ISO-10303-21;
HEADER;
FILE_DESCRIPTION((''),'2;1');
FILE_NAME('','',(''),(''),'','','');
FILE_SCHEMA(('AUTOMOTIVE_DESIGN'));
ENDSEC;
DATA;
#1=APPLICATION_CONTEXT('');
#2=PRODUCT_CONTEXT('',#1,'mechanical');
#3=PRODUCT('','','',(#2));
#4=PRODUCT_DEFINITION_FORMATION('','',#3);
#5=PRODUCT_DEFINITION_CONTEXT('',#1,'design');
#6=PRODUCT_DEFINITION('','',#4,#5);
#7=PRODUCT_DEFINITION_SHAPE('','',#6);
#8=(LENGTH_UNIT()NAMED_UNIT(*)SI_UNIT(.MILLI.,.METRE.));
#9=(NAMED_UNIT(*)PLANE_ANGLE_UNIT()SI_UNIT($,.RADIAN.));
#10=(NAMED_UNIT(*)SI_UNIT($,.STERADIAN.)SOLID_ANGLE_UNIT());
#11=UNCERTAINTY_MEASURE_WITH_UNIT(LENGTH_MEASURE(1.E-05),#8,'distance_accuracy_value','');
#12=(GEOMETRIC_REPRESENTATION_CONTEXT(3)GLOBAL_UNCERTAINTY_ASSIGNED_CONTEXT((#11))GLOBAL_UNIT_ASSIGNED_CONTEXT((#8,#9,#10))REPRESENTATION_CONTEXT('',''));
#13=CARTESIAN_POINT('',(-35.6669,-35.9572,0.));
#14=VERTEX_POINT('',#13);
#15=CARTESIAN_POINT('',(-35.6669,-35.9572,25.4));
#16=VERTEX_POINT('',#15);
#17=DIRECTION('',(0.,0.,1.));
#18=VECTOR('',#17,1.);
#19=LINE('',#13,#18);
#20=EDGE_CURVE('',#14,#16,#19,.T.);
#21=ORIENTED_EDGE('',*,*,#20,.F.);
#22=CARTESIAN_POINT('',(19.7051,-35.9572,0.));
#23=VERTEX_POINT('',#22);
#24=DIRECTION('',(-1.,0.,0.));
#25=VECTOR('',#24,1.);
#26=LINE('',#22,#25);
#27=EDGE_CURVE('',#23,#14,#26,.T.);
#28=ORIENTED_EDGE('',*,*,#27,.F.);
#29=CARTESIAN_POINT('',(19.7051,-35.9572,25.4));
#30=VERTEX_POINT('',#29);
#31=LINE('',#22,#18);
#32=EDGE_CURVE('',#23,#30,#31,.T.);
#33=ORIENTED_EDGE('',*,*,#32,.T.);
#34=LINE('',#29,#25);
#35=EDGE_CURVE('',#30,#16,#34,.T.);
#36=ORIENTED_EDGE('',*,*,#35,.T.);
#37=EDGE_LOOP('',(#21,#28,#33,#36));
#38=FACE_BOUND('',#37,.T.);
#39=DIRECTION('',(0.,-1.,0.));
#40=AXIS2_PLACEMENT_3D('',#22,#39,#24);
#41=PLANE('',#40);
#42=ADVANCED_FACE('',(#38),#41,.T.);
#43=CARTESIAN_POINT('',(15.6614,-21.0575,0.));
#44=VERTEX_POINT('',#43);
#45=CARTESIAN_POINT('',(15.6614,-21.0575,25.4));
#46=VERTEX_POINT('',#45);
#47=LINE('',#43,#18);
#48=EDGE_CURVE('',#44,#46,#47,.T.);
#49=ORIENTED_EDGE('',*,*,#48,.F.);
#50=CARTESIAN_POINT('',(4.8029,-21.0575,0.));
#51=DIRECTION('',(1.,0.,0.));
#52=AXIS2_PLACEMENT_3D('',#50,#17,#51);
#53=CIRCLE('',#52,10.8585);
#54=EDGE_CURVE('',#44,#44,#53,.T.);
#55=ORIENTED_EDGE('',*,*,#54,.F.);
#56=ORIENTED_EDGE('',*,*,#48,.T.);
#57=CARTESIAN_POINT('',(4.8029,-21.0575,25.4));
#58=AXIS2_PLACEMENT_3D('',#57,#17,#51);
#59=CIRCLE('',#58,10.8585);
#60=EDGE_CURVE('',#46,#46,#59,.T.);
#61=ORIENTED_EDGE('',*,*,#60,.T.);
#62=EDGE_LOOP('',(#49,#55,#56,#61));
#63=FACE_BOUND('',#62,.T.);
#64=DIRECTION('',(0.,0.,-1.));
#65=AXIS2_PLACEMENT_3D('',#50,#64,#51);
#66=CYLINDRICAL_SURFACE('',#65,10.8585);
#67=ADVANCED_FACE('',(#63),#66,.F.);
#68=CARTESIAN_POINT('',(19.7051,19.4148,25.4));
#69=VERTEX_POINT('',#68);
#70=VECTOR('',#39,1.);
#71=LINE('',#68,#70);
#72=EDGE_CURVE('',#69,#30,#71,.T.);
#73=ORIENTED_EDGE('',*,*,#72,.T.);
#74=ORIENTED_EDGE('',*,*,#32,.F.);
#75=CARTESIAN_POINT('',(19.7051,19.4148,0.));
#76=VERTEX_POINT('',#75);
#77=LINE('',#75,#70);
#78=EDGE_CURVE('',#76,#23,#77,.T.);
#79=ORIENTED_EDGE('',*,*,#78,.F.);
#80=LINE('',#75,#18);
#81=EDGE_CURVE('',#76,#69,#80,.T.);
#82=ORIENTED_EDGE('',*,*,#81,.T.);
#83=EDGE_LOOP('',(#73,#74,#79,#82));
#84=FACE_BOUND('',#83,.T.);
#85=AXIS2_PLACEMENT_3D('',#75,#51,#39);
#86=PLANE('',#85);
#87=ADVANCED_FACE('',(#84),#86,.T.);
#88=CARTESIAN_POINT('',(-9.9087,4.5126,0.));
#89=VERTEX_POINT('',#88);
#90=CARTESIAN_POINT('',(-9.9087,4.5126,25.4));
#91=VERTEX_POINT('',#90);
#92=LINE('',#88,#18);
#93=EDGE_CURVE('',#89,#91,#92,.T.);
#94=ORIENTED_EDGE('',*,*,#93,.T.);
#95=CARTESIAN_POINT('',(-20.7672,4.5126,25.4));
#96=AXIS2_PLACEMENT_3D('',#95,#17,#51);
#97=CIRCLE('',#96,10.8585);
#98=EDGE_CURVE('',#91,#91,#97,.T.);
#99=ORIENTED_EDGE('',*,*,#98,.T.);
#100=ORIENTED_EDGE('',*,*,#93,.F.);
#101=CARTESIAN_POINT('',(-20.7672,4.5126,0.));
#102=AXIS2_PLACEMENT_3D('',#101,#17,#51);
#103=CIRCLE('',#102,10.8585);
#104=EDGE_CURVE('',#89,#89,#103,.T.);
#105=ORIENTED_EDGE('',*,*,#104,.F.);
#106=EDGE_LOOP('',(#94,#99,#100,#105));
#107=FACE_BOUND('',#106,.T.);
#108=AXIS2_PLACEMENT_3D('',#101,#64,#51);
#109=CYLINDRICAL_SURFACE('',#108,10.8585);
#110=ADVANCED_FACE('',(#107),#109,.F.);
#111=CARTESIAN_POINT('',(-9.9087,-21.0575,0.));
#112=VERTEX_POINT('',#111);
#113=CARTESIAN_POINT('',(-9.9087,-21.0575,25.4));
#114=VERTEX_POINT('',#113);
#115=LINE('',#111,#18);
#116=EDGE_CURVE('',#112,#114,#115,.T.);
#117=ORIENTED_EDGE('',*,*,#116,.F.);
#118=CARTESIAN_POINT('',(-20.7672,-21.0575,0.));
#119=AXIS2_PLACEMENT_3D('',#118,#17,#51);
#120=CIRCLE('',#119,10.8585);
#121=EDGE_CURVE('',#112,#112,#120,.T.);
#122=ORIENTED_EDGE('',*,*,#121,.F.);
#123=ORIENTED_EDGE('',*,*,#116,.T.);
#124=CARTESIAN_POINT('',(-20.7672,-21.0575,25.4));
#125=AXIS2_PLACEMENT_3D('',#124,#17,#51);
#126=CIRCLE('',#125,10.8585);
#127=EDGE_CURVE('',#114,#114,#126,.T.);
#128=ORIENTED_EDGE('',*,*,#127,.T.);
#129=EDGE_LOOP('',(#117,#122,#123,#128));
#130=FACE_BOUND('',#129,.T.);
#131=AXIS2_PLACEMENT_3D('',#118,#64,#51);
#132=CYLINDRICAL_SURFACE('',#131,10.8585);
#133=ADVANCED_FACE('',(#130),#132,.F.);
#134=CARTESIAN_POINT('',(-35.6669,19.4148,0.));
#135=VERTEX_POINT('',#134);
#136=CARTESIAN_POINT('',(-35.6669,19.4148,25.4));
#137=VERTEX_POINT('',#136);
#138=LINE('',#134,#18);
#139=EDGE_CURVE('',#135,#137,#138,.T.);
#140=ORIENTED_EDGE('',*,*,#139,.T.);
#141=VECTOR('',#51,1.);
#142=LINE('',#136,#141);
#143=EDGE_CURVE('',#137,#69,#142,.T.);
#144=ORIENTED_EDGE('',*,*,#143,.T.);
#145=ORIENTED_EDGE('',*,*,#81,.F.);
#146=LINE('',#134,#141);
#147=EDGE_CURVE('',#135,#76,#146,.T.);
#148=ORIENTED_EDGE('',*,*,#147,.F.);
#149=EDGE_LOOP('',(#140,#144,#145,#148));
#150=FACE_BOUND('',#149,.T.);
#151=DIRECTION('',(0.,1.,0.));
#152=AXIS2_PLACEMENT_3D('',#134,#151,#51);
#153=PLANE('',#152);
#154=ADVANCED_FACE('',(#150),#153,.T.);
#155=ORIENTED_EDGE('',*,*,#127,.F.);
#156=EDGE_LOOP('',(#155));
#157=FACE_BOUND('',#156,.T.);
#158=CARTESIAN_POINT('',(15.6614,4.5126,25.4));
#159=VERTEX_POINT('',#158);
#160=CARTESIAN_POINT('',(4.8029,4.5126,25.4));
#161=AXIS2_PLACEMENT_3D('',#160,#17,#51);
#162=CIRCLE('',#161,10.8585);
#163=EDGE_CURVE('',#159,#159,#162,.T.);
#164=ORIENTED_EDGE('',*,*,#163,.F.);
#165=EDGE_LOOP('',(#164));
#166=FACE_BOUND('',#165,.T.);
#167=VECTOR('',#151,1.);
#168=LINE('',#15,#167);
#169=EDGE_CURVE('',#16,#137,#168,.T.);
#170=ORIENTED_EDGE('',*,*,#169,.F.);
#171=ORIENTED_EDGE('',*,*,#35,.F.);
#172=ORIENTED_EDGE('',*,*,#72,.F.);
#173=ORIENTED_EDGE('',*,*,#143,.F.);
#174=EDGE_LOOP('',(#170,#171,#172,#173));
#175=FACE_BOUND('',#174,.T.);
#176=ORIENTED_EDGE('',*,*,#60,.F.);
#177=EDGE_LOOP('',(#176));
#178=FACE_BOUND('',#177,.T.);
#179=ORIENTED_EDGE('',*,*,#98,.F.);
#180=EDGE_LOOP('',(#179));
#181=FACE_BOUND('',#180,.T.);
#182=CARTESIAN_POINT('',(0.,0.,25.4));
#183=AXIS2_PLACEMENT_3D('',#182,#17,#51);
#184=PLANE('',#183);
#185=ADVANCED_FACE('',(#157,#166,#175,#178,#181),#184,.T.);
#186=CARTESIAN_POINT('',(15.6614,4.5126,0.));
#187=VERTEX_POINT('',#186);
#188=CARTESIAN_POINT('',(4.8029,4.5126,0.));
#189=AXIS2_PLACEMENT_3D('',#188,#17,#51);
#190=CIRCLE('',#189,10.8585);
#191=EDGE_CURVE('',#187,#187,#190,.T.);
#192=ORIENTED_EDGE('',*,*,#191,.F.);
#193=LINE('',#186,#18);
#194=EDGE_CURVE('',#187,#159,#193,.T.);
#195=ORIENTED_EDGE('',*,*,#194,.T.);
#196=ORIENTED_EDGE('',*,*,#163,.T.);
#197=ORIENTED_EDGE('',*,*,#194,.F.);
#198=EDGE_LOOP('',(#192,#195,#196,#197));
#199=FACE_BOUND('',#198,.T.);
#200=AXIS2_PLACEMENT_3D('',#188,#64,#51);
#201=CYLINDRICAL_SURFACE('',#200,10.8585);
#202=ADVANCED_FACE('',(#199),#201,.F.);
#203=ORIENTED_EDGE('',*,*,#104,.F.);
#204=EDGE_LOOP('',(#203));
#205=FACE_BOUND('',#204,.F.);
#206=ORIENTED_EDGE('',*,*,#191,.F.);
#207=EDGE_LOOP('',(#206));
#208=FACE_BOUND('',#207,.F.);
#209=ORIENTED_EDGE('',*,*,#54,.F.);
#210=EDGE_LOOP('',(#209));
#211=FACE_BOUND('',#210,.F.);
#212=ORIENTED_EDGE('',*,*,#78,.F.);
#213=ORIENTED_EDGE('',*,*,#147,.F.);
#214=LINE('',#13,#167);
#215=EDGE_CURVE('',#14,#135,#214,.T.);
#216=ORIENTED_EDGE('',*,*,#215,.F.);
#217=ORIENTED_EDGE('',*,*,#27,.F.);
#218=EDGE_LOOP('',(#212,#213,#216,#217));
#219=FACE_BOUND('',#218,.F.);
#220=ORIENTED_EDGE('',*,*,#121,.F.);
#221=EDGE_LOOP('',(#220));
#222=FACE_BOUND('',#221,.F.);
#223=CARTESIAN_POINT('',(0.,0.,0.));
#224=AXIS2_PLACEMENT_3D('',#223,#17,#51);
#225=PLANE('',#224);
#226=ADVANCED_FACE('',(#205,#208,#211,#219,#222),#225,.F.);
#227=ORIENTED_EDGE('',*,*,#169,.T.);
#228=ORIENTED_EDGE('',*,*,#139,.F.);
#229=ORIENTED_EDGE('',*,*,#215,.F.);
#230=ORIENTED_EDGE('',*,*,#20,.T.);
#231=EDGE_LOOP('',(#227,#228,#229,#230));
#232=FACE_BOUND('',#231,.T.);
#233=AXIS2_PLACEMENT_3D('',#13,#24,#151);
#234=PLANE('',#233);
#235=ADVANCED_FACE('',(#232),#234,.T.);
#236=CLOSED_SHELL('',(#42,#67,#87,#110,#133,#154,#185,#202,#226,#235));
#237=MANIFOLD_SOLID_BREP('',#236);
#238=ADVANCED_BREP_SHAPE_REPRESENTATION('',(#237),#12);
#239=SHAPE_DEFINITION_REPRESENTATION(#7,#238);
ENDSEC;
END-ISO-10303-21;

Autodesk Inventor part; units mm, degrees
ref_plane "YZ Plane" through (0, 0, 0) normal (1, 0, 0) x (0, 1, 0)
ref_plane "XZ Plane" through (0, 0, 0) normal (0, 1, 0) x (-1, 0, 0)
ref_plane "XY Plane" through (0, 0, 0) normal (0, 0, 1) x (1, 0, 0)
sketch "Sketch1" plane through (0, 0, 0) normal (0, 0, 1) x (1, 0, 0)
  line L0 (-35.6669, 19.4148) -> (19.7051, 19.4148)
  line L1 (19.7051, 19.4148) -> (19.7051, -35.9572)
  line L2 (19.7051, -35.9572) -> (-35.6669, -35.9572)
  line L3 (-35.6669, -35.9572) -> (-35.6669, 19.4148)
  circle A0 centre (4.8029, 4.5126) radius 10.8585
  circle A1 centre (-20.7672, 4.5126) radius 10.8585
  circle A2 centre (4.8029, -21.0575) radius 10.8585
  circle A3 centre (-20.7672, -21.0575) radius 10.8585
  dimension "d3" = 21.717
  dimension "d6" = 14.9022
  dimension "d7" = 14.9022
  dimension "d12" = 25.5702
  dimension "d15" = 25.5702
  dimension "d20" = 14.8996
  dimension "d21" = 14.8996
extrude "Extrusion1" add sketch "Sketch1" along normal blind 25.4
equation "\"d15\" = d12"
properties part number "Cell Grid (2x2)"
